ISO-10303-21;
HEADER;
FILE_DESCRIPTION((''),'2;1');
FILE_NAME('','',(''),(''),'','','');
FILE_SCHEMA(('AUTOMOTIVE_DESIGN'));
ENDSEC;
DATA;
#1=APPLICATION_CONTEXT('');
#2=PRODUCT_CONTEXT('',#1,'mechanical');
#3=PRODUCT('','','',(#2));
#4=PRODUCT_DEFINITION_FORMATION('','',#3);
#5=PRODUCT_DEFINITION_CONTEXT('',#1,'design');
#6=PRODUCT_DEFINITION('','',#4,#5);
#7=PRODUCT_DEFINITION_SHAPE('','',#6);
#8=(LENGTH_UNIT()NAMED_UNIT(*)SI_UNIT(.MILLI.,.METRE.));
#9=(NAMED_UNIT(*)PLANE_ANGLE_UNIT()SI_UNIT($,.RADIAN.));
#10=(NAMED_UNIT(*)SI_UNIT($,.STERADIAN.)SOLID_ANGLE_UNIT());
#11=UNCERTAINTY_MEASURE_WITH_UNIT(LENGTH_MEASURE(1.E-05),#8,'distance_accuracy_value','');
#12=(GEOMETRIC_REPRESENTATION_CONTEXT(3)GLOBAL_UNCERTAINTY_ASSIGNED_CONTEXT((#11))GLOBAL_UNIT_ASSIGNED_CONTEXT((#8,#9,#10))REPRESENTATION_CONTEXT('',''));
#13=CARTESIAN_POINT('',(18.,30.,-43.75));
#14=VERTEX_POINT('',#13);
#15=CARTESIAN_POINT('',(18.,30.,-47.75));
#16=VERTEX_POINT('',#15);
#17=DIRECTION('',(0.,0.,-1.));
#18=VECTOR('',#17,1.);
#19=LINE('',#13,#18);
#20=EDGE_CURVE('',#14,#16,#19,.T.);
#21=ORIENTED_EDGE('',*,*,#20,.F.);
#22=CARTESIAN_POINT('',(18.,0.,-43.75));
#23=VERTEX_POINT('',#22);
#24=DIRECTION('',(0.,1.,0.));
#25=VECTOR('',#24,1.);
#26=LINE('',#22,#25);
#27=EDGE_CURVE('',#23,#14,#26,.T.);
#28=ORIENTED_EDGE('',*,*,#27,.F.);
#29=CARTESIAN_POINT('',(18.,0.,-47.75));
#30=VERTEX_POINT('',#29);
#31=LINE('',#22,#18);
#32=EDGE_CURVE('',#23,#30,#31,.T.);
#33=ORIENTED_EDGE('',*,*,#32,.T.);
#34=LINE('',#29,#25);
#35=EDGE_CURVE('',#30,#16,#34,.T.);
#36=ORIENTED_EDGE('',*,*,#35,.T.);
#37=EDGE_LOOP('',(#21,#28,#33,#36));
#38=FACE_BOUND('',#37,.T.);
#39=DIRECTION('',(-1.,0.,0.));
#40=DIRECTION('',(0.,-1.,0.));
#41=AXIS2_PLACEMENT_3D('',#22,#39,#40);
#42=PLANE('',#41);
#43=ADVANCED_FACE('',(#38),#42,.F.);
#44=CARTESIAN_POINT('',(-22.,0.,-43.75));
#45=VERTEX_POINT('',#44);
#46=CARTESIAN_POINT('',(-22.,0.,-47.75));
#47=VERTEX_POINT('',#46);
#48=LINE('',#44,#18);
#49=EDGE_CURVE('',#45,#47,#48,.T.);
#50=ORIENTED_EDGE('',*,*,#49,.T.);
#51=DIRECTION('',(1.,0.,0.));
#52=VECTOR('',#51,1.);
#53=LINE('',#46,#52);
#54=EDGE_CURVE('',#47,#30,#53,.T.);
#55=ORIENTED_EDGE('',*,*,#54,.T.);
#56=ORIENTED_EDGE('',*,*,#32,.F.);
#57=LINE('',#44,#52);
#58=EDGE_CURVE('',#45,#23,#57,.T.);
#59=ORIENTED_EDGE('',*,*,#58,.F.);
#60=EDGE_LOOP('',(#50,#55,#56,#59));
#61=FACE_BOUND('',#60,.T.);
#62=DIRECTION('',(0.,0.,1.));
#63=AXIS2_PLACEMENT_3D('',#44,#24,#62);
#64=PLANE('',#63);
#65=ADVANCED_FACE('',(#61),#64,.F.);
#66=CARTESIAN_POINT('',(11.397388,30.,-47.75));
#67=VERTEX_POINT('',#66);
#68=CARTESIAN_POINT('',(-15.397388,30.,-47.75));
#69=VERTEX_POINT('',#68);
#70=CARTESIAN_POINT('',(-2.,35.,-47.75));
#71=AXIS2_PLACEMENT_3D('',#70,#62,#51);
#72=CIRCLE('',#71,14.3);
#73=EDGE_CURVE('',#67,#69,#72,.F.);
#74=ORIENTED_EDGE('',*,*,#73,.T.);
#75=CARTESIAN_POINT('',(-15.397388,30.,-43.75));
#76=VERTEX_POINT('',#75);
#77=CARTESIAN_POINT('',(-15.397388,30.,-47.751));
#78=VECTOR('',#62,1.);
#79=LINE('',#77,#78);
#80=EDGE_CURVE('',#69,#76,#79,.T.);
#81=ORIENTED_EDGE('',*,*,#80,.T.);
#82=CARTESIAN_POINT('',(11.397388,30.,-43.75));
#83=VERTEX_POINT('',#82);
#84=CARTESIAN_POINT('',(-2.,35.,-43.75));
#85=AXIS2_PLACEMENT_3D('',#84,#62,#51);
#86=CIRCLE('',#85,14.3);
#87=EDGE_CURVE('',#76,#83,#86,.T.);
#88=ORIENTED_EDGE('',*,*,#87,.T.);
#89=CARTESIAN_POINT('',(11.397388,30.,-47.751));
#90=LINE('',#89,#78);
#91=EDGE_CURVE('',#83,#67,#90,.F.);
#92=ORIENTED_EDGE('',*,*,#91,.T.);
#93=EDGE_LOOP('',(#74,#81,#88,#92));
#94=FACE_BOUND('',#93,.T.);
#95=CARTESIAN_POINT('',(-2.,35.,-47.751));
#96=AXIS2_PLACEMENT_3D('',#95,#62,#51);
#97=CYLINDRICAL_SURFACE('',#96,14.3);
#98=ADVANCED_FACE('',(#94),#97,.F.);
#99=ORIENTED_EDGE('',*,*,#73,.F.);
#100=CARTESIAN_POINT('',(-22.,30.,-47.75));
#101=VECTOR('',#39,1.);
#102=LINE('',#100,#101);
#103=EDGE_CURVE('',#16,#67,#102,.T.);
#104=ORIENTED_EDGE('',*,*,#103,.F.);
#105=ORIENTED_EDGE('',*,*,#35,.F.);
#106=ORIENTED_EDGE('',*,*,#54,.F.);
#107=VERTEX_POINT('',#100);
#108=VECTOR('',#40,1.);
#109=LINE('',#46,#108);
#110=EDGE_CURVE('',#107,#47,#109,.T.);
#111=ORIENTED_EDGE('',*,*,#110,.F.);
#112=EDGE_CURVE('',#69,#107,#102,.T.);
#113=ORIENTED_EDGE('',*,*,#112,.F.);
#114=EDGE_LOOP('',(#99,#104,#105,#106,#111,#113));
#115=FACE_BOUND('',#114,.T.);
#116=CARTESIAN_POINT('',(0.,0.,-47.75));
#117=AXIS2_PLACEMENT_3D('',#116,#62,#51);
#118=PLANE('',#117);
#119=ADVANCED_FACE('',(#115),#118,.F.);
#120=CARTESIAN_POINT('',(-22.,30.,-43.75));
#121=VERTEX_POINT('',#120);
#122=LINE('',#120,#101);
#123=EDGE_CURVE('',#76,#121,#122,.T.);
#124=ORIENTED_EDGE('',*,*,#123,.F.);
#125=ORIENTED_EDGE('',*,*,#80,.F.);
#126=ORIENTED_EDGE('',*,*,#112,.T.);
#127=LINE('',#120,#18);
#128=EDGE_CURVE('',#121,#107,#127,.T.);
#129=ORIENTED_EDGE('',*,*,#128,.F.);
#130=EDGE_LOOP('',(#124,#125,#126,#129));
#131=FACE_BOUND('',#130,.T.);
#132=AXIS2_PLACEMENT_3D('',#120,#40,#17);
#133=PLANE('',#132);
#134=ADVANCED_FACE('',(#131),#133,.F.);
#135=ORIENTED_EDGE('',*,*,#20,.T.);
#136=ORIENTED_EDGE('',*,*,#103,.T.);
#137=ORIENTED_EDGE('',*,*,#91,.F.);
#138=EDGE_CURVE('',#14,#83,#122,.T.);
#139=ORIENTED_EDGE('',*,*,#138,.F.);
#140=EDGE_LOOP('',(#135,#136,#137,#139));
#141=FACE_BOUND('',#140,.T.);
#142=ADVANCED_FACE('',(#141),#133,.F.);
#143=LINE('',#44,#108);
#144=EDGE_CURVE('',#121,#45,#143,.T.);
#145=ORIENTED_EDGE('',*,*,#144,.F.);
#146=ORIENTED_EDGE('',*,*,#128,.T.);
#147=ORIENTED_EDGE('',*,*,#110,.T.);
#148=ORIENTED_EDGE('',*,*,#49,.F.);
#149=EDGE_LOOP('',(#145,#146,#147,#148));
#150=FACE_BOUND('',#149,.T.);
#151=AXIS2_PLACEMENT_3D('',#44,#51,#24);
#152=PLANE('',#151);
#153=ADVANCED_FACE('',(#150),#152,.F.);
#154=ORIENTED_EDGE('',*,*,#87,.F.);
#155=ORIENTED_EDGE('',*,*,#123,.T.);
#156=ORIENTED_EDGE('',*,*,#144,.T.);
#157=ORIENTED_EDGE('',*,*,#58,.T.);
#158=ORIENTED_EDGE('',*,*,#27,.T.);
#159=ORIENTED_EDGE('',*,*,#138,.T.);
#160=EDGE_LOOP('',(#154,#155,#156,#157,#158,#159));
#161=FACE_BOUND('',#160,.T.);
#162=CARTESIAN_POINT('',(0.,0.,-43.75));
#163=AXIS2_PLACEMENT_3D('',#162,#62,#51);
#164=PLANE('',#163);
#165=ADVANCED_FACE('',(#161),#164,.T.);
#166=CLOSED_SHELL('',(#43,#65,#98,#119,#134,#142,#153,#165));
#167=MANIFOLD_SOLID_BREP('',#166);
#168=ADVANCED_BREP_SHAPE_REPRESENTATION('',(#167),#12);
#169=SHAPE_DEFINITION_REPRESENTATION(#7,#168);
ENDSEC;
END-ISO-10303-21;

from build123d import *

# Parameters (mm, degrees)
SKETCH1_W           = 40
SKETCH1_H           = 30
BOSS_EXTRUDE1_DEPTH = 4
CUT_EXTRUDE3_REACH  = 39.417
SKETCH5_R           = 14.3


with BuildPart() as part:
    # Sketch1 → Boss-Extrude1 (new body)
    with BuildSketch(Plane.XY.offset(-47.75)):
        with Locations((-2, 15)):
            Rectangle(SKETCH1_W, SKETCH1_H)
    extrude(amount=BOSS_EXTRUDE1_DEPTH)

    # Sketch5 → Cut-Extrude3 (cut, up to next)
    with BuildSketch(Plane.XY.offset(-43.75), mode=Mode.PRIVATE) as cut_extrude3_sk1:
        with Locations((-2, 35)):
            Circle(SKETCH5_R)
    cut_extrude3_tool1 = extrude(cut_extrude3_sk1.sketch, amount=-CUT_EXTRUDE3_REACH, mode=Mode.PRIVATE) & part.part
    add(cut_extrude3_tool1.solids().sort_by_distance((-2, 35, -43.75))[0], mode=Mode.SUBTRACT)


solid = part.part
